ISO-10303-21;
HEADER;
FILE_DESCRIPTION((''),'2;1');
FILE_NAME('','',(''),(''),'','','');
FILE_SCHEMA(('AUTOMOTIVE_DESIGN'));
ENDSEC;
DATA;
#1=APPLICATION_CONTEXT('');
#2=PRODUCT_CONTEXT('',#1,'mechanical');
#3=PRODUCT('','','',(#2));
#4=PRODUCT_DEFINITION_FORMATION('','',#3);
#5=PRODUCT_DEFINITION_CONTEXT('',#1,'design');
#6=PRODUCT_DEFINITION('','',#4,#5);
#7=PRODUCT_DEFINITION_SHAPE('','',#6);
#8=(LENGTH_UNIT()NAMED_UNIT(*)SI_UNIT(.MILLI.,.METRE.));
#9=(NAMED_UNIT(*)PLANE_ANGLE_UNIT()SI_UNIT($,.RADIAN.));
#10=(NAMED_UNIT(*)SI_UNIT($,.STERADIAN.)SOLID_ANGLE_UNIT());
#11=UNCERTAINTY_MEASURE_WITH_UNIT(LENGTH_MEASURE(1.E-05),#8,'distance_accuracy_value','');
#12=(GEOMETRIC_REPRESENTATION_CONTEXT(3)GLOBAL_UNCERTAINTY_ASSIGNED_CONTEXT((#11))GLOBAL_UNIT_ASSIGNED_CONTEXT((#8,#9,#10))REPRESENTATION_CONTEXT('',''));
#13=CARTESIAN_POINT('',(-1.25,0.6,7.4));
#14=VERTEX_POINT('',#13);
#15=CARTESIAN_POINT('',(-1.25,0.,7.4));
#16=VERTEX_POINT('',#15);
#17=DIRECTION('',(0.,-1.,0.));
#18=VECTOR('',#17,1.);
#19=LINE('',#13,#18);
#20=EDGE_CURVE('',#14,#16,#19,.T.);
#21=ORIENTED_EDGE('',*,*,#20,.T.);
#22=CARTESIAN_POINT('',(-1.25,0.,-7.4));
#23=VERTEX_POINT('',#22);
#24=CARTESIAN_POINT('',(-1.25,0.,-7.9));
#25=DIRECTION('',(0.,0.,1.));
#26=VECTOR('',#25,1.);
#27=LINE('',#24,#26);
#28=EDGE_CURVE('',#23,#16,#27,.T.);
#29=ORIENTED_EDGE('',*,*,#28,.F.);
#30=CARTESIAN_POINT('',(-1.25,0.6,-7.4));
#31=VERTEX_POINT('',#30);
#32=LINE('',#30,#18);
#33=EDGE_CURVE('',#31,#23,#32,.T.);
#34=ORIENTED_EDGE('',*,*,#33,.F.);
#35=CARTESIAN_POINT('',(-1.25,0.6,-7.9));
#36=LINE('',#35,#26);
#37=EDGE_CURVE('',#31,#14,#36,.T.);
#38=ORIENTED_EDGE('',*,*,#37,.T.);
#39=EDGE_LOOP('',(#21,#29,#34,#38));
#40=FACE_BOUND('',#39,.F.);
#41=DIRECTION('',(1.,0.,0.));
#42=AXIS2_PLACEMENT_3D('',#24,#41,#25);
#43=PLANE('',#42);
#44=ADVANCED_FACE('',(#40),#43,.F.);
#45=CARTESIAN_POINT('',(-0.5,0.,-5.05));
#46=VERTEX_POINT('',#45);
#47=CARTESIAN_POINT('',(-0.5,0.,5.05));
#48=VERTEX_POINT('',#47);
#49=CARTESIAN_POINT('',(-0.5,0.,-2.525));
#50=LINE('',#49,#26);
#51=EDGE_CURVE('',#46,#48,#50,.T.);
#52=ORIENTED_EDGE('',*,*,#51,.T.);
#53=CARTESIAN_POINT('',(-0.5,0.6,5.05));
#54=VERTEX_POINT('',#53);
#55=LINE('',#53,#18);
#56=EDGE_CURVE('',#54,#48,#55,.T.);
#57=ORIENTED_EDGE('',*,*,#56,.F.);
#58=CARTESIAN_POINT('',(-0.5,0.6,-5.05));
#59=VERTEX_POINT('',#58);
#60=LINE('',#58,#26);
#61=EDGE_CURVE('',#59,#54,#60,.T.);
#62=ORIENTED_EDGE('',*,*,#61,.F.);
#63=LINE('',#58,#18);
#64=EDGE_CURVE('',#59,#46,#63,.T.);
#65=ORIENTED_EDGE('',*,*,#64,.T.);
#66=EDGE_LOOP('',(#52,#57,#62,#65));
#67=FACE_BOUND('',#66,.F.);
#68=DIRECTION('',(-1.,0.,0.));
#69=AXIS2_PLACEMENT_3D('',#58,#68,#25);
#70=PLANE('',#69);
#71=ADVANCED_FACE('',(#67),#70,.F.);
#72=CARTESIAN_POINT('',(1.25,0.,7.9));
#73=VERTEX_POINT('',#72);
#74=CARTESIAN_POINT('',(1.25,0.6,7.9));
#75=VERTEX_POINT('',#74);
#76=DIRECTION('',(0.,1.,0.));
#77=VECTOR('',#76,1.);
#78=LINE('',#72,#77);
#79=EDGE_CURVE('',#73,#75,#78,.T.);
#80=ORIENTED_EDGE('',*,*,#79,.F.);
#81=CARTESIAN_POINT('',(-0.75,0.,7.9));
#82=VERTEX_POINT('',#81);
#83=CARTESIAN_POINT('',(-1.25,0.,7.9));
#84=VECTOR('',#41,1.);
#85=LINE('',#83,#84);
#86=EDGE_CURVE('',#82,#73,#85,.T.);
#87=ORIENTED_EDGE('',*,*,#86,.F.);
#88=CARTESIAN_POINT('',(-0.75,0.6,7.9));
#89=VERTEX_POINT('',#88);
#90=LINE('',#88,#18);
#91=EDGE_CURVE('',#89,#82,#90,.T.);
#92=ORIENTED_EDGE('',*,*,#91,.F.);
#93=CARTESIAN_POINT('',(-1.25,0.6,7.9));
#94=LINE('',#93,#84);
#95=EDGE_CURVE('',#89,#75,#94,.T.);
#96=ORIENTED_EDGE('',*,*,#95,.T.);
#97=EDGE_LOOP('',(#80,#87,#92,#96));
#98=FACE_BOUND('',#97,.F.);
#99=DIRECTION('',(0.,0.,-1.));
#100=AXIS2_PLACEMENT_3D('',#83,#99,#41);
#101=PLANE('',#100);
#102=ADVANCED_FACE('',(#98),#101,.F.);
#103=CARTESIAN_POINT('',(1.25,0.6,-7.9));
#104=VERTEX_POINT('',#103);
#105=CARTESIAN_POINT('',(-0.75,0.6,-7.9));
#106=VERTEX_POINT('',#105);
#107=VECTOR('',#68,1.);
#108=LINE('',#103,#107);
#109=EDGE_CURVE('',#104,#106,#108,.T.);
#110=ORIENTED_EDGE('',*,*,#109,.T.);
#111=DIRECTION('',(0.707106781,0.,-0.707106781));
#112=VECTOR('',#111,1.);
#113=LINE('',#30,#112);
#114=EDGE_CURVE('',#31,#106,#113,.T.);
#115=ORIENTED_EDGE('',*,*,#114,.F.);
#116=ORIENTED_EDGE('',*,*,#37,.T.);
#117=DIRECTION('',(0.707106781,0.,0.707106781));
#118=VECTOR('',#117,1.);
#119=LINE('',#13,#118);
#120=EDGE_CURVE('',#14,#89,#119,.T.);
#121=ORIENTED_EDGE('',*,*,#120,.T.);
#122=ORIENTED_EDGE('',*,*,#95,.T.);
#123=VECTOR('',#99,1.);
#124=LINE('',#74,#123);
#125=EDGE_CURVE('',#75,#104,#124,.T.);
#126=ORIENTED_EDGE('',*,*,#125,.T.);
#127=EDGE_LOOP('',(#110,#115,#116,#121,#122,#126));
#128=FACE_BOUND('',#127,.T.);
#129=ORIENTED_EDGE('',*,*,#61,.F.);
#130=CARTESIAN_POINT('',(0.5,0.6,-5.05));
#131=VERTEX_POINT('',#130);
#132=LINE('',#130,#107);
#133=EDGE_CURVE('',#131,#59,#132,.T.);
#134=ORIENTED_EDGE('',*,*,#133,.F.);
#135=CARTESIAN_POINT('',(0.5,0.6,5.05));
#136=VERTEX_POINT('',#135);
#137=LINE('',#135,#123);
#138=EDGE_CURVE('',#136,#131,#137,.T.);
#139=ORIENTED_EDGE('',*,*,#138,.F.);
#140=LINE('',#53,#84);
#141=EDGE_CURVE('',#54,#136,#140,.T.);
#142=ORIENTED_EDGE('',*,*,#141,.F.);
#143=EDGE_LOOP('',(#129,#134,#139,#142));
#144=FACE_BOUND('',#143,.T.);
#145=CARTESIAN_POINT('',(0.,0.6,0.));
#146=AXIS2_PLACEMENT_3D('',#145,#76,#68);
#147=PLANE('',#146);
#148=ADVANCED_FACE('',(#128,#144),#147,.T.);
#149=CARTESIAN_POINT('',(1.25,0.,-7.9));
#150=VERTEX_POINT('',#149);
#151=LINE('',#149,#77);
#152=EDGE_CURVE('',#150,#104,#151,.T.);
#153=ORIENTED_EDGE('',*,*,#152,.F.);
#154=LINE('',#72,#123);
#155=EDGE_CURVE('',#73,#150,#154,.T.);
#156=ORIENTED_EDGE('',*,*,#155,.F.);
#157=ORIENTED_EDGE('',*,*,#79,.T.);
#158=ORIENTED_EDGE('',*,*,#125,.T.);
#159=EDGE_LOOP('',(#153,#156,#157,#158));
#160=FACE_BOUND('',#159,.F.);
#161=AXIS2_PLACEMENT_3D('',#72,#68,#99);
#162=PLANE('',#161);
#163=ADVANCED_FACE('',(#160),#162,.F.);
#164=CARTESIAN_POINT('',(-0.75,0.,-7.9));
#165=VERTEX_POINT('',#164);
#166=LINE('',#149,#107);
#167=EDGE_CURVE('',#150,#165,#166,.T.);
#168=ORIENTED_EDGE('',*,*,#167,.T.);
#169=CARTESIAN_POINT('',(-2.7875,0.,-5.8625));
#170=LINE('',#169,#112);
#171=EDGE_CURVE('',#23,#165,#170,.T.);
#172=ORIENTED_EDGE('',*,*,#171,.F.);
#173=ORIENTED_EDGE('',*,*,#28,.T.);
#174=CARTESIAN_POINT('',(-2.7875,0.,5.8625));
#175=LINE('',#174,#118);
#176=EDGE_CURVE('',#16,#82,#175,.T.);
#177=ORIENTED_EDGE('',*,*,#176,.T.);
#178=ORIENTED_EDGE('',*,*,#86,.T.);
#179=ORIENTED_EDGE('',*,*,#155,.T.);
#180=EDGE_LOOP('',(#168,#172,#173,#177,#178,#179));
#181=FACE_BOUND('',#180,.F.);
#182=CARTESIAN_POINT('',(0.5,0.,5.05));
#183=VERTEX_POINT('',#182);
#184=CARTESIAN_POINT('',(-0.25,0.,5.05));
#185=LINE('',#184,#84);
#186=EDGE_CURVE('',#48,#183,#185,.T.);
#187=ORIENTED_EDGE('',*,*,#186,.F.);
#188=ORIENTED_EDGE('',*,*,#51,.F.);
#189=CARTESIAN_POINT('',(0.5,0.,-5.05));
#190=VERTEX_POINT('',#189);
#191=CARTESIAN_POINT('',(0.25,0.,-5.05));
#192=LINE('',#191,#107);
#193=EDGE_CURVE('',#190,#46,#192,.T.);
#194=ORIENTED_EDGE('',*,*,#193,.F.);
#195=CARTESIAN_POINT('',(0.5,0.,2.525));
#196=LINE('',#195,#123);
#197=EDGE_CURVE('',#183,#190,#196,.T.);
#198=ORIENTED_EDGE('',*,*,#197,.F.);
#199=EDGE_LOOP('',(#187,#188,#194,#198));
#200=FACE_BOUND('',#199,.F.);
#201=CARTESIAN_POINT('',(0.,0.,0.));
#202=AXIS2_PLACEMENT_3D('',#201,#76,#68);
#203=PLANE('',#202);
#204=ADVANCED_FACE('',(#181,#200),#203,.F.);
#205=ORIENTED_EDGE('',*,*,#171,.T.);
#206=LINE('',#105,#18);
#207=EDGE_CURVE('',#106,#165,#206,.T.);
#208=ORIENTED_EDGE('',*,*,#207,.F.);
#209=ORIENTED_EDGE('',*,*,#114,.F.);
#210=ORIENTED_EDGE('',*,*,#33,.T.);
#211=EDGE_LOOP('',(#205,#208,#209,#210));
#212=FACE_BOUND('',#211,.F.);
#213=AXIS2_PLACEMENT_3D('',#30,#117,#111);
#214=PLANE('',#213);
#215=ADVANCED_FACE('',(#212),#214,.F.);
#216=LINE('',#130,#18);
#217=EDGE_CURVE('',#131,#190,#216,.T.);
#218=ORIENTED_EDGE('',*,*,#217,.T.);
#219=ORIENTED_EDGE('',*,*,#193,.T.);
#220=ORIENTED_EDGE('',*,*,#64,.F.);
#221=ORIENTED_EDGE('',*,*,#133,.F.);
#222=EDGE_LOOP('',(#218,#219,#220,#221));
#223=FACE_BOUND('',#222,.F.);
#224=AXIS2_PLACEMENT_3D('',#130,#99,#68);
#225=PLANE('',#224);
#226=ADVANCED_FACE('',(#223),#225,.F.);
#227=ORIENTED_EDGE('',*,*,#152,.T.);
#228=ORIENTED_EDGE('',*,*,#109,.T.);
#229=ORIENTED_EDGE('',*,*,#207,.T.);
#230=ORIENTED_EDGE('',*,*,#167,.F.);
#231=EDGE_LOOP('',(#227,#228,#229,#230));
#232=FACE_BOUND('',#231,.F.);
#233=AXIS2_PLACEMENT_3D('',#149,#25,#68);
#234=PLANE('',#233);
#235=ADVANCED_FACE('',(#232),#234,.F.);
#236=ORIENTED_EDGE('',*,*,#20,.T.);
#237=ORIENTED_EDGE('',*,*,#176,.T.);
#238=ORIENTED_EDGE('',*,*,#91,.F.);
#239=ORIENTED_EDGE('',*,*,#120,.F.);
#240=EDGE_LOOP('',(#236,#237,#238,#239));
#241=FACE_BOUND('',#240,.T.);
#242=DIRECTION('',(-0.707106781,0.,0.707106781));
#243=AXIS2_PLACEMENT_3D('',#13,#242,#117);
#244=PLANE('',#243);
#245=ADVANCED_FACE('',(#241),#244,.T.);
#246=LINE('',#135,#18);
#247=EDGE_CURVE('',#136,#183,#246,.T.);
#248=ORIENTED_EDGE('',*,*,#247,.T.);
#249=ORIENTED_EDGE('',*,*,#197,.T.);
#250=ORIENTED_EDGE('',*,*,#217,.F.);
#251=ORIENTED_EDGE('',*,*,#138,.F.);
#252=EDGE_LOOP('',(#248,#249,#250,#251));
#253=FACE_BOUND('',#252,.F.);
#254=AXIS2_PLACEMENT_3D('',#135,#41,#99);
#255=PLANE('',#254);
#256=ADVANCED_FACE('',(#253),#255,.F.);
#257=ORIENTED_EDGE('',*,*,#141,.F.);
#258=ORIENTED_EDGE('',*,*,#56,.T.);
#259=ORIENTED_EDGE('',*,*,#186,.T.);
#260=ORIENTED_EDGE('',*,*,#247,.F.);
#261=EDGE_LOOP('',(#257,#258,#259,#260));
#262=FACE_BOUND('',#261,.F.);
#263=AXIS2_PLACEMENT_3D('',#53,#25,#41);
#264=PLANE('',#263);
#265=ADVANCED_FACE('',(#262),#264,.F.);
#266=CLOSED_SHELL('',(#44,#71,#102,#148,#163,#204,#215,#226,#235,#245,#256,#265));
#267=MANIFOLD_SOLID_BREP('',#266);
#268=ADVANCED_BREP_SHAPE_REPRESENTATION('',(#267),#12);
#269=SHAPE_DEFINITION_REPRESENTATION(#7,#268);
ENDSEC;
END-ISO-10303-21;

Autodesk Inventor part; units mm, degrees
ref_plane "YZ Plane" through (0, 0, 0) normal (1, 0, 0) x (0, 1, 0)
ref_plane "XZ Plane" through (0, 0, 0) normal (0, 1, 0) x (-1, 0, 0)
ref_plane "XY Plane" through (0, 0, 0) normal (0, 0, 1) x (1, 0, 0)
sketch "Sketch1" plane through (0, 0, 0) normal (0, 1, 0) x (-1, 0, 0)
  line L0 (-1.25, -7.9) -> (1.25, -7.9)
  line L1 (1.25, -7.9) -> (1.25, 7.9)
  line L2 (1.25, 7.9) -> (-1.25, 7.9)
  line L3 (-1.25, 7.9) -> (-1.25, -7.9)
  point P0 (0, 0)
  dimension "d0" = 15.8
  dimension "d7" = 1.25
  dimension "d8" = 1.25
extrude "Extrusion1" add sketch "Sketch1" along normal blind 0.6
sketch "Sketch2" plane through (0, 0.6, 0) normal (0, 1, 0) x (1, 0, 0)
  line L0 (0.5, 5.05) -> (-0.5, 5.05)
  line L1 (-0.5, 5.05) -> (-0.5, -5.05)
  line L2 (-0.5, -5.05) -> (0.5, -5.05)
  line L3 (0.5, -5.05) -> (0.5, 5.05)
  line L4 (0.5, 5.05) -> (-0.5, -5.05) construction
  line L5 (-0.5, 5.05) -> (0.5, -5.05) construction
  point P0 (0, 0)
  dimension "d3" = 1
  dimension "d4" = 10.1
extrude "Extrusion2" cut sketch "Sketch2" against normal through all
sketch "Sketch3" plane through (0, 0.6, 0) normal (0, 1, 0) x (1, 0, 0)
  line L0 (-1.25, 7.9) -> (-1.25, -7.9) projected
  line L1 (-1.25, -7.4) -> (-0.75, -7.9)
  line L2 (-1.25, -7.9) -> (1.25, -7.9) projected
  line L3 (1.25, 7.9) -> (-1.25, 7.9) projected
  line L4 (-1.25, 7.4) -> (-0.75, 7.9)
  point P0 (0, 0)
  dimension "d9" = 0.5
  dimension "d10" = 0.5
  dimension "d11" = 0.5
  dimension "d12" = 0.5
extrude "Extrusion3" cut sketch "Sketch3" against normal through all
properties part number "insert spacer - v3"
